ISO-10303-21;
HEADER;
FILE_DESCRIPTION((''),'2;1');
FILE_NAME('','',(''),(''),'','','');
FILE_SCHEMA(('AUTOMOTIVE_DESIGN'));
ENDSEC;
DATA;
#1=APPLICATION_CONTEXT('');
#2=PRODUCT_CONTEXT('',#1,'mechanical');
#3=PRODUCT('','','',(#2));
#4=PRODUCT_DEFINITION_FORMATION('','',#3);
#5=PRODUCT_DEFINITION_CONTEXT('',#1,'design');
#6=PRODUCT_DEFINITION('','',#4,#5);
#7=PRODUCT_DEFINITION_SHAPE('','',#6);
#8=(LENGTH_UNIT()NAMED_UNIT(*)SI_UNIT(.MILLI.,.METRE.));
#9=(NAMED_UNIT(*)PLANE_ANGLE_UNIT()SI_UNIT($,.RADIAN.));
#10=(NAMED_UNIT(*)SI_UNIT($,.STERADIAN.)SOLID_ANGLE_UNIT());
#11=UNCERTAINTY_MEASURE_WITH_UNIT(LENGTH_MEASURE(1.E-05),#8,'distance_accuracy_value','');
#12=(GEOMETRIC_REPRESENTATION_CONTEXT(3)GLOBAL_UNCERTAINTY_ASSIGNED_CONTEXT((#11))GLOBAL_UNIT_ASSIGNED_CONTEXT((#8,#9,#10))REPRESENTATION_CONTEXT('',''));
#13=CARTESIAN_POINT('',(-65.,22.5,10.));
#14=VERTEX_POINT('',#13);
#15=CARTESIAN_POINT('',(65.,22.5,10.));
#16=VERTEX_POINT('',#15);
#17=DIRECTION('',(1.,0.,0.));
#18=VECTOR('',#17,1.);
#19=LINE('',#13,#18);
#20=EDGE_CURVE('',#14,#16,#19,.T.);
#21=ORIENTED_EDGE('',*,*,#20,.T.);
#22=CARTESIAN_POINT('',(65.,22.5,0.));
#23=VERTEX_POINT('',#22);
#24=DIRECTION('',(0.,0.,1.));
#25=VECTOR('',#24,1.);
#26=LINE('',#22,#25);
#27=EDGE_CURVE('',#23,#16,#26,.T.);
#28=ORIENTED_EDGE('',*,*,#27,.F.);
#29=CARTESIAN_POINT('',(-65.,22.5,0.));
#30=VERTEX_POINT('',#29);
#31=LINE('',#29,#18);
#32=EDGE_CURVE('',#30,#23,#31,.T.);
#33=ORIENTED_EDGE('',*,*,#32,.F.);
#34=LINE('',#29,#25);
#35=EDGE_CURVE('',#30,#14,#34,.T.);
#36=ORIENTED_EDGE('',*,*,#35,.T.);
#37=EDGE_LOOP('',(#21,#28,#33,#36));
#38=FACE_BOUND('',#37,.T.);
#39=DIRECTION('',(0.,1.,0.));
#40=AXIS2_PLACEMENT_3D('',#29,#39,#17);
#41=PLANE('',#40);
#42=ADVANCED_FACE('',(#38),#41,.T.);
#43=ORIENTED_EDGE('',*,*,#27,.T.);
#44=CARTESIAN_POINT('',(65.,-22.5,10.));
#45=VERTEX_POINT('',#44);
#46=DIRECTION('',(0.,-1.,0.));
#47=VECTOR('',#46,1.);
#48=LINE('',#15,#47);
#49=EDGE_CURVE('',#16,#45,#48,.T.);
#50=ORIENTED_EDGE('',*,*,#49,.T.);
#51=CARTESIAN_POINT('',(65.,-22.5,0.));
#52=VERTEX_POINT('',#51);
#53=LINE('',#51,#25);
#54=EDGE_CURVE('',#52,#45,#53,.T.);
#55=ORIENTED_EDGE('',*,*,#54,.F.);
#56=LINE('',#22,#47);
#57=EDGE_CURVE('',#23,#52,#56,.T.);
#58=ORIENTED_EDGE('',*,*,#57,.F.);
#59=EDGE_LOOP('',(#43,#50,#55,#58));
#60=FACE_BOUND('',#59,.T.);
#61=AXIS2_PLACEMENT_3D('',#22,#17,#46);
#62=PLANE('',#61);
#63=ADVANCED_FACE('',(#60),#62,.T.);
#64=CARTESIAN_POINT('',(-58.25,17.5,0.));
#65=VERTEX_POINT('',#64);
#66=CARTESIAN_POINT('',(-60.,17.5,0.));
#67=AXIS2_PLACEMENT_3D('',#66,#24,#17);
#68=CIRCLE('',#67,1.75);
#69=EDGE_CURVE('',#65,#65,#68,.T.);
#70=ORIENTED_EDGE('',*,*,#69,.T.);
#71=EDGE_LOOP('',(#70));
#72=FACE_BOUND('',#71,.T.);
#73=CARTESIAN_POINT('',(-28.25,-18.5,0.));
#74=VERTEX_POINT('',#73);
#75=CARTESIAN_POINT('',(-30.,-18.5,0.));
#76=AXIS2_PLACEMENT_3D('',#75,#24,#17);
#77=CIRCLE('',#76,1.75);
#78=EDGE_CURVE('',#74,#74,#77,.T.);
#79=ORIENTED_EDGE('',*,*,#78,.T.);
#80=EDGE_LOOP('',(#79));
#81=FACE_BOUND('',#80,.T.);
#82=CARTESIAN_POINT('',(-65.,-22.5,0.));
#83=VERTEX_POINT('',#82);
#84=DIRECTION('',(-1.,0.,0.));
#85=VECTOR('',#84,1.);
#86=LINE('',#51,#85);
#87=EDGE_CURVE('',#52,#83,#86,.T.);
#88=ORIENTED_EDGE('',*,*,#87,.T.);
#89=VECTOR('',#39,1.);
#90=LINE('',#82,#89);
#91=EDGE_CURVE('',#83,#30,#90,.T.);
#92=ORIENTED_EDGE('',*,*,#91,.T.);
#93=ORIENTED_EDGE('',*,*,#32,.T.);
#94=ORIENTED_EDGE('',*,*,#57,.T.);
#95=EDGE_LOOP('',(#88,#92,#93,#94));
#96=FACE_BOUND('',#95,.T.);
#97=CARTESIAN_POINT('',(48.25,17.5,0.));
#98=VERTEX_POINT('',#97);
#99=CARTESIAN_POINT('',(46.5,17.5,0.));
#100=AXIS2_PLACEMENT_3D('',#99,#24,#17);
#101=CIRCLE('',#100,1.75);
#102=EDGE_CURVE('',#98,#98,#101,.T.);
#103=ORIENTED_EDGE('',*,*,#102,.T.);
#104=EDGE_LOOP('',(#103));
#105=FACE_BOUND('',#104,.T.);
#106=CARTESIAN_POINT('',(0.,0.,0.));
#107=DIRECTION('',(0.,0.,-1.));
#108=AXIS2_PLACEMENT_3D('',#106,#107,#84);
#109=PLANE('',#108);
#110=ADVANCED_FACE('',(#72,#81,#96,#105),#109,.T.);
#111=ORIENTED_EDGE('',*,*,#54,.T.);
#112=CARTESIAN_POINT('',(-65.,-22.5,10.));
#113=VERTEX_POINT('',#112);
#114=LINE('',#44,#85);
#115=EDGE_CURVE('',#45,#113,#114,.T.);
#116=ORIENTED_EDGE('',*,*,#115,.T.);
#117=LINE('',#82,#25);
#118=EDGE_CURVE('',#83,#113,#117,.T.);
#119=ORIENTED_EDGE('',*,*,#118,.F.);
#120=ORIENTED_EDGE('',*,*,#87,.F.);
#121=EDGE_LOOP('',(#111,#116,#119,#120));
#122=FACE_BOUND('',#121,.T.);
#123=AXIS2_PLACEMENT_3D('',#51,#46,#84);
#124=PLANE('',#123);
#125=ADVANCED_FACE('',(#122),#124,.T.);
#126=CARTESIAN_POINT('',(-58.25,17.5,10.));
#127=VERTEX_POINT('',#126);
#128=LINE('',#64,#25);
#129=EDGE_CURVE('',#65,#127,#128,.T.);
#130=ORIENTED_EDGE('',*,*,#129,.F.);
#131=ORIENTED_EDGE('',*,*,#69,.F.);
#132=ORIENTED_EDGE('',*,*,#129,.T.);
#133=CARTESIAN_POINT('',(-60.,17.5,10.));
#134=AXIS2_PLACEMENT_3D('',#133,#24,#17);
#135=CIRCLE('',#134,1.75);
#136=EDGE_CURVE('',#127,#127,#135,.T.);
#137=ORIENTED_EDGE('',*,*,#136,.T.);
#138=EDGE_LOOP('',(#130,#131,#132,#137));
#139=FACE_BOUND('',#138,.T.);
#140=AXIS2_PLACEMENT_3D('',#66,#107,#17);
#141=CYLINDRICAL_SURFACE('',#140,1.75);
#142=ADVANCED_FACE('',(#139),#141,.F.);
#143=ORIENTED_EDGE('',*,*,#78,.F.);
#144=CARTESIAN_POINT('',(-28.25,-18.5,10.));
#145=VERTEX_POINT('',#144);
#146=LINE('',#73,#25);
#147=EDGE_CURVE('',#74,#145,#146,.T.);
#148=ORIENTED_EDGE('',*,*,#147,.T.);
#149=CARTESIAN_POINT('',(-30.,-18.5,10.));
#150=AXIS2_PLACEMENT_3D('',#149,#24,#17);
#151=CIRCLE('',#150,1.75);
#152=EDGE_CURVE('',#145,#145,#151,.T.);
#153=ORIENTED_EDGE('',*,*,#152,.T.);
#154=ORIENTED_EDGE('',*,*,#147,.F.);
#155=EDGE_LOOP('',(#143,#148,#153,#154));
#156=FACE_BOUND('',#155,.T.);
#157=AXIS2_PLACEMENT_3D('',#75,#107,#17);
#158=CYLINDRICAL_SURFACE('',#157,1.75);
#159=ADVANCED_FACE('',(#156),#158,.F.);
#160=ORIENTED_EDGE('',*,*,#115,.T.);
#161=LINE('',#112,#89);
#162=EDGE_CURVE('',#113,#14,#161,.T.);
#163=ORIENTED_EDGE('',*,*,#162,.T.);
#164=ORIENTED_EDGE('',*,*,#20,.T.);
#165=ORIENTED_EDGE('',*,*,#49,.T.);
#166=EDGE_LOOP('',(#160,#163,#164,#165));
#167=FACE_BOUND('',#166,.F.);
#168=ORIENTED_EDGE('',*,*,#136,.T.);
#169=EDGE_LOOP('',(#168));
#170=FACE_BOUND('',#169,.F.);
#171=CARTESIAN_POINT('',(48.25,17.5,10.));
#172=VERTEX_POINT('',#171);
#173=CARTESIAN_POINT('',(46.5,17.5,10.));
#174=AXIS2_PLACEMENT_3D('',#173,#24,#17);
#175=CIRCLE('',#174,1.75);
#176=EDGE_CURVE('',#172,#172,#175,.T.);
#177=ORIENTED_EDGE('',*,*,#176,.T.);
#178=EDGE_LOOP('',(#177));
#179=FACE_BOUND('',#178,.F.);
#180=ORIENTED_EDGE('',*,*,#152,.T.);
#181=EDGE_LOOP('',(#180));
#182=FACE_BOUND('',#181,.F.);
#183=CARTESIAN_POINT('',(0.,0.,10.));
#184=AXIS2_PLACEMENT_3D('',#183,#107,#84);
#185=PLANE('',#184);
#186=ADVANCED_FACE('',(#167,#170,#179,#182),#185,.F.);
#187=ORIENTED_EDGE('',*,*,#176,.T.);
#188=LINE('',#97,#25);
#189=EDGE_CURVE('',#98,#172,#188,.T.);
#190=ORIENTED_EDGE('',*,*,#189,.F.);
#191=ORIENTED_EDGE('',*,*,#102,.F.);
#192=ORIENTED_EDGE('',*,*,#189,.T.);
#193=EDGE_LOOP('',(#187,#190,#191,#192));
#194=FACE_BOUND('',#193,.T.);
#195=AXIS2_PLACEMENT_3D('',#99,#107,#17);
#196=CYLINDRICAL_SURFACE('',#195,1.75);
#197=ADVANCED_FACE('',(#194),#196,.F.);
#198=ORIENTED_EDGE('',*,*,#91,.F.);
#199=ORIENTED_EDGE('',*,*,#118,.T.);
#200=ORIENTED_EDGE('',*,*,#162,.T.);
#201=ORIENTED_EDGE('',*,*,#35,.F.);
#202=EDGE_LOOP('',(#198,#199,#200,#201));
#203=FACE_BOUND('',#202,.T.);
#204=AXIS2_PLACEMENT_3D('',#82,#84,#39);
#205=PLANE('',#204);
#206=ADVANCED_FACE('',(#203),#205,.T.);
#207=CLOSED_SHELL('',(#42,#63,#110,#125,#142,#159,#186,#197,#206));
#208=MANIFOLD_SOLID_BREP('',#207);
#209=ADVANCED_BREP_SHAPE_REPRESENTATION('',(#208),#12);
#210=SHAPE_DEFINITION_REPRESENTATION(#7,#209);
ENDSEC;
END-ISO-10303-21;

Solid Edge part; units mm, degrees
sketch "Sketch1" plane through (0, 0, 0) normal (0, 0, 1) x (1, 0, 0)
  line L0 (-65, -22.5) -> (-65, 22.5)
  line L1 (-65, 22.5) -> (65, 22.5)
  line L2 (65, 22.5) -> (65, -22.5)
  line L3 (65, -22.5) -> (-65, -22.5)
  circle A0 centre (-60, 17.5) radius 1.75
  circle A1 centre (-30, -18.5) radius 1.75
  circle A2 centre (46.5, 17.5) radius 1.75
  dimension "D1" = 106.5
  dimension "D2" = 36
  dimension "D3" = 30
  dimension "D4" = 3.5
  dimension "D5" = 5
  dimension "D6" = 5
  dimension "D7" = 130
  dimension "D8" = 45
extrude "Protrusion1" add sketch "Sketch1" along normal blind 10
